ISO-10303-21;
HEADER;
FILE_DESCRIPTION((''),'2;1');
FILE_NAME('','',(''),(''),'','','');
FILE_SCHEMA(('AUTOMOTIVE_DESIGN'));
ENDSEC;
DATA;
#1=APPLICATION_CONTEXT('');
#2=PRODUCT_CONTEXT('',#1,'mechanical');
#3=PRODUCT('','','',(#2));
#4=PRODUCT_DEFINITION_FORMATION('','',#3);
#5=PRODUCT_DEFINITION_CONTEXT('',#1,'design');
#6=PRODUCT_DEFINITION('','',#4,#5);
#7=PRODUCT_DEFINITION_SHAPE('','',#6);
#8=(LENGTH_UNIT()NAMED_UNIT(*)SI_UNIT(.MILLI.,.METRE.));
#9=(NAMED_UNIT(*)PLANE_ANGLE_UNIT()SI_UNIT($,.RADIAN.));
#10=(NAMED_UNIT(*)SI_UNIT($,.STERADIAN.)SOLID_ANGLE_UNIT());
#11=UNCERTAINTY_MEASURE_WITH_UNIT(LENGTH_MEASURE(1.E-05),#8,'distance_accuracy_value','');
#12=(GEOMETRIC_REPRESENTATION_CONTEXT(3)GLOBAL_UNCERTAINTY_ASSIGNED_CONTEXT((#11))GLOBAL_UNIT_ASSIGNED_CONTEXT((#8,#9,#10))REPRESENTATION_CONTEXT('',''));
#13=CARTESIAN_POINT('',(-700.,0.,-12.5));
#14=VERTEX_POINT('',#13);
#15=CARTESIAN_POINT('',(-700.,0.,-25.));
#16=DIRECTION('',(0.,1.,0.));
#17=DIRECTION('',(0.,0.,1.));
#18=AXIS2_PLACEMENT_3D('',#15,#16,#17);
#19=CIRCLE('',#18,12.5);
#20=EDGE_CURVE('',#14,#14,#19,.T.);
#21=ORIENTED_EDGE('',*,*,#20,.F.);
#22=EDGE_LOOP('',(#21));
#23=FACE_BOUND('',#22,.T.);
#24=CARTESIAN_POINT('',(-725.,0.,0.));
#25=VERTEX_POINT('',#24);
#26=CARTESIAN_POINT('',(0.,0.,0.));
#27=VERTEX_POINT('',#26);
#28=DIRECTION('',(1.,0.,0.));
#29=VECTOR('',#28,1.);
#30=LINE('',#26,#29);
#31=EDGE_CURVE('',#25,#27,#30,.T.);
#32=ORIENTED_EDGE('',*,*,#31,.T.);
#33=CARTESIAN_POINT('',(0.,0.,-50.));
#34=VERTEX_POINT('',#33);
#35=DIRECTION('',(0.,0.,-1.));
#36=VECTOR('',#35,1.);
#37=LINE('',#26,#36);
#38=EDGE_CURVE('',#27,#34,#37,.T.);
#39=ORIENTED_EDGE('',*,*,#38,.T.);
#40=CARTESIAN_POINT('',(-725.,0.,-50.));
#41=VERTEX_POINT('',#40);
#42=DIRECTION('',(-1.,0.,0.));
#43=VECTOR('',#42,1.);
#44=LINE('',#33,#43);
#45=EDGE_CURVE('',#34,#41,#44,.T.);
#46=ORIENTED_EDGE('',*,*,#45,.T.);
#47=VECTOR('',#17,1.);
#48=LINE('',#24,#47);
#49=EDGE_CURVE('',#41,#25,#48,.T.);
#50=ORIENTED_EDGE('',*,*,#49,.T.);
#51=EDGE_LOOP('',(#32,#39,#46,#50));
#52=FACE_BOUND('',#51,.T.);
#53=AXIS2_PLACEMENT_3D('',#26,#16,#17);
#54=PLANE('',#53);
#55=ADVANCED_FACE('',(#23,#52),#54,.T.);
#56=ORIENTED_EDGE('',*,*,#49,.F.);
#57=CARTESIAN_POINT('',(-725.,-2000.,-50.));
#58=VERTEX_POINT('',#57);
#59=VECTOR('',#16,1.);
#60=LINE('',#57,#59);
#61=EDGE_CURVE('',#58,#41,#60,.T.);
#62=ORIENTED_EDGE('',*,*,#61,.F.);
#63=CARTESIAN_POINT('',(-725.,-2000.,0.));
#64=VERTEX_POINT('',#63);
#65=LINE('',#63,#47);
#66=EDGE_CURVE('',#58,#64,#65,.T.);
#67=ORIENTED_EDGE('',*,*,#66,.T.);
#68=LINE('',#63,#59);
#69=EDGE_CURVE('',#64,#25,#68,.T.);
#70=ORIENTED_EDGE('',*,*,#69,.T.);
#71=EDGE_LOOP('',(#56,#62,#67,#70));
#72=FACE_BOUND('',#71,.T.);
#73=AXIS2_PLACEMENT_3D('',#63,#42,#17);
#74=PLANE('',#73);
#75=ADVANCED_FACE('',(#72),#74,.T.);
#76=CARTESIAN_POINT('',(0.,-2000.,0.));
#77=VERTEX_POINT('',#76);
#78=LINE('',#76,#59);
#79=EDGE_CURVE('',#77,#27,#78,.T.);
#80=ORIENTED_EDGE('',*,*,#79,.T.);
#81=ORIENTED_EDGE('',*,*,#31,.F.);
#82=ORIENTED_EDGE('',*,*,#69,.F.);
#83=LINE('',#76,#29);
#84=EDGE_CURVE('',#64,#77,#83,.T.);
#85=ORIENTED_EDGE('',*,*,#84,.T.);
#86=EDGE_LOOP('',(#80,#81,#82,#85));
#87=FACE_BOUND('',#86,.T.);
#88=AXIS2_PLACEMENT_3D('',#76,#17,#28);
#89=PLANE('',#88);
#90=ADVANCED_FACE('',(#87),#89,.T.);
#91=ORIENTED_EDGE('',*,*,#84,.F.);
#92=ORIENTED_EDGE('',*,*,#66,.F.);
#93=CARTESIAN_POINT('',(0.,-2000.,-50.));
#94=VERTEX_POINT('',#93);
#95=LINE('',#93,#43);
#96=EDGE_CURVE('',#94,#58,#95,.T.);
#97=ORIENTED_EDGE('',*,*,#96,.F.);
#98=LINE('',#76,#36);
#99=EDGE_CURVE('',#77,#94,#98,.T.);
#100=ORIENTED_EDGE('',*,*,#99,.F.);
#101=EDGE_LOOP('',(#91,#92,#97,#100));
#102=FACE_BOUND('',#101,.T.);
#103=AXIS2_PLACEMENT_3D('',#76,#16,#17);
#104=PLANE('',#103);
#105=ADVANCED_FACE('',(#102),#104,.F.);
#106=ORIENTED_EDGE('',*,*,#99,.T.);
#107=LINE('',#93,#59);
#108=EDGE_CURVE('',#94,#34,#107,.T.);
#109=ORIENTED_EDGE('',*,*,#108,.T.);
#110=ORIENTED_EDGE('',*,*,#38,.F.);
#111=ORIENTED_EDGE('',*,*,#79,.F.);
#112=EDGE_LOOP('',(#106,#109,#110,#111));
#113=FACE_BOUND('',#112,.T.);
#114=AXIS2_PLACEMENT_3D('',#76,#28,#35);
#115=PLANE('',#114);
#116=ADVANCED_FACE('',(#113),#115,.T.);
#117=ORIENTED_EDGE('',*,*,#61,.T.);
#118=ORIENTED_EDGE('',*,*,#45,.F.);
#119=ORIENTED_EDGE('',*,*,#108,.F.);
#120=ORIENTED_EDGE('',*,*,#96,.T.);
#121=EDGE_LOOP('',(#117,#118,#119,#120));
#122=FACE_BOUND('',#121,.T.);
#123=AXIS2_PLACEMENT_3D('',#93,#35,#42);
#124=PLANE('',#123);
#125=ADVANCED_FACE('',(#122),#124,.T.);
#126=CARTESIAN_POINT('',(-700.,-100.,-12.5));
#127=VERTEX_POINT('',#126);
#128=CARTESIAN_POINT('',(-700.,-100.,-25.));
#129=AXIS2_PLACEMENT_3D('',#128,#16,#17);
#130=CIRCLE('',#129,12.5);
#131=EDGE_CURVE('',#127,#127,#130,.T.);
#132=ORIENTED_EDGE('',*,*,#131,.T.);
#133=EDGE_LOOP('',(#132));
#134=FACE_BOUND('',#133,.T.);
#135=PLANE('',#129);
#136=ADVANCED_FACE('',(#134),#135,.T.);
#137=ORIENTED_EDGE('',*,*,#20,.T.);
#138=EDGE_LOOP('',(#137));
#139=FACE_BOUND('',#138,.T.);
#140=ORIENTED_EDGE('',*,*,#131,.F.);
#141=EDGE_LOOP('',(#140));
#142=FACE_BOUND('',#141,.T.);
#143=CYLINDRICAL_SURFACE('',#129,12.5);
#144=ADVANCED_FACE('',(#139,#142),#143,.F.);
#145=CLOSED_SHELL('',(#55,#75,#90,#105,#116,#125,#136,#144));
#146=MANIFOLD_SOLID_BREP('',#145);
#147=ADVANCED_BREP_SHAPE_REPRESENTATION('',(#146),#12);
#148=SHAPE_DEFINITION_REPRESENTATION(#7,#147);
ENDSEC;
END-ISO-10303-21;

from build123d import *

# Parameters (mm, degrees)
SKETCH1_W           = 725
SKETCH1_H           = 50
BOSS_EXTRUDE1_DEPTH = 2000
SKETCH2_R           = 12.5
CUT_EXTRUDE1_DEPTH  = 100


with BuildPart() as part:
    # Sketch1 → Boss-Extrude1 (new body)
    with BuildSketch(Plane(origin=(0, 0, 0), x_dir=(1, 0, 0), z_dir=(0, 1, 0))):
        with Locations((-362.5, 25)):
            Rectangle(SKETCH1_W, SKETCH1_H)
    extrude(amount=-BOSS_EXTRUDE1_DEPTH)

    # Sketch2 → Cut-Extrude1 (cut)
    with BuildSketch(Plane(origin=(0, 0, 0), x_dir=(1, 0, 0), z_dir=(0, 1, 0))):
        with Locations(Location((-700, 25, 0), (0, 0, 270))):
            Circle(SKETCH2_R)
    extrude(amount=-CUT_EXTRUDE1_DEPTH, mode=Mode.SUBTRACT)


solid = part.part
